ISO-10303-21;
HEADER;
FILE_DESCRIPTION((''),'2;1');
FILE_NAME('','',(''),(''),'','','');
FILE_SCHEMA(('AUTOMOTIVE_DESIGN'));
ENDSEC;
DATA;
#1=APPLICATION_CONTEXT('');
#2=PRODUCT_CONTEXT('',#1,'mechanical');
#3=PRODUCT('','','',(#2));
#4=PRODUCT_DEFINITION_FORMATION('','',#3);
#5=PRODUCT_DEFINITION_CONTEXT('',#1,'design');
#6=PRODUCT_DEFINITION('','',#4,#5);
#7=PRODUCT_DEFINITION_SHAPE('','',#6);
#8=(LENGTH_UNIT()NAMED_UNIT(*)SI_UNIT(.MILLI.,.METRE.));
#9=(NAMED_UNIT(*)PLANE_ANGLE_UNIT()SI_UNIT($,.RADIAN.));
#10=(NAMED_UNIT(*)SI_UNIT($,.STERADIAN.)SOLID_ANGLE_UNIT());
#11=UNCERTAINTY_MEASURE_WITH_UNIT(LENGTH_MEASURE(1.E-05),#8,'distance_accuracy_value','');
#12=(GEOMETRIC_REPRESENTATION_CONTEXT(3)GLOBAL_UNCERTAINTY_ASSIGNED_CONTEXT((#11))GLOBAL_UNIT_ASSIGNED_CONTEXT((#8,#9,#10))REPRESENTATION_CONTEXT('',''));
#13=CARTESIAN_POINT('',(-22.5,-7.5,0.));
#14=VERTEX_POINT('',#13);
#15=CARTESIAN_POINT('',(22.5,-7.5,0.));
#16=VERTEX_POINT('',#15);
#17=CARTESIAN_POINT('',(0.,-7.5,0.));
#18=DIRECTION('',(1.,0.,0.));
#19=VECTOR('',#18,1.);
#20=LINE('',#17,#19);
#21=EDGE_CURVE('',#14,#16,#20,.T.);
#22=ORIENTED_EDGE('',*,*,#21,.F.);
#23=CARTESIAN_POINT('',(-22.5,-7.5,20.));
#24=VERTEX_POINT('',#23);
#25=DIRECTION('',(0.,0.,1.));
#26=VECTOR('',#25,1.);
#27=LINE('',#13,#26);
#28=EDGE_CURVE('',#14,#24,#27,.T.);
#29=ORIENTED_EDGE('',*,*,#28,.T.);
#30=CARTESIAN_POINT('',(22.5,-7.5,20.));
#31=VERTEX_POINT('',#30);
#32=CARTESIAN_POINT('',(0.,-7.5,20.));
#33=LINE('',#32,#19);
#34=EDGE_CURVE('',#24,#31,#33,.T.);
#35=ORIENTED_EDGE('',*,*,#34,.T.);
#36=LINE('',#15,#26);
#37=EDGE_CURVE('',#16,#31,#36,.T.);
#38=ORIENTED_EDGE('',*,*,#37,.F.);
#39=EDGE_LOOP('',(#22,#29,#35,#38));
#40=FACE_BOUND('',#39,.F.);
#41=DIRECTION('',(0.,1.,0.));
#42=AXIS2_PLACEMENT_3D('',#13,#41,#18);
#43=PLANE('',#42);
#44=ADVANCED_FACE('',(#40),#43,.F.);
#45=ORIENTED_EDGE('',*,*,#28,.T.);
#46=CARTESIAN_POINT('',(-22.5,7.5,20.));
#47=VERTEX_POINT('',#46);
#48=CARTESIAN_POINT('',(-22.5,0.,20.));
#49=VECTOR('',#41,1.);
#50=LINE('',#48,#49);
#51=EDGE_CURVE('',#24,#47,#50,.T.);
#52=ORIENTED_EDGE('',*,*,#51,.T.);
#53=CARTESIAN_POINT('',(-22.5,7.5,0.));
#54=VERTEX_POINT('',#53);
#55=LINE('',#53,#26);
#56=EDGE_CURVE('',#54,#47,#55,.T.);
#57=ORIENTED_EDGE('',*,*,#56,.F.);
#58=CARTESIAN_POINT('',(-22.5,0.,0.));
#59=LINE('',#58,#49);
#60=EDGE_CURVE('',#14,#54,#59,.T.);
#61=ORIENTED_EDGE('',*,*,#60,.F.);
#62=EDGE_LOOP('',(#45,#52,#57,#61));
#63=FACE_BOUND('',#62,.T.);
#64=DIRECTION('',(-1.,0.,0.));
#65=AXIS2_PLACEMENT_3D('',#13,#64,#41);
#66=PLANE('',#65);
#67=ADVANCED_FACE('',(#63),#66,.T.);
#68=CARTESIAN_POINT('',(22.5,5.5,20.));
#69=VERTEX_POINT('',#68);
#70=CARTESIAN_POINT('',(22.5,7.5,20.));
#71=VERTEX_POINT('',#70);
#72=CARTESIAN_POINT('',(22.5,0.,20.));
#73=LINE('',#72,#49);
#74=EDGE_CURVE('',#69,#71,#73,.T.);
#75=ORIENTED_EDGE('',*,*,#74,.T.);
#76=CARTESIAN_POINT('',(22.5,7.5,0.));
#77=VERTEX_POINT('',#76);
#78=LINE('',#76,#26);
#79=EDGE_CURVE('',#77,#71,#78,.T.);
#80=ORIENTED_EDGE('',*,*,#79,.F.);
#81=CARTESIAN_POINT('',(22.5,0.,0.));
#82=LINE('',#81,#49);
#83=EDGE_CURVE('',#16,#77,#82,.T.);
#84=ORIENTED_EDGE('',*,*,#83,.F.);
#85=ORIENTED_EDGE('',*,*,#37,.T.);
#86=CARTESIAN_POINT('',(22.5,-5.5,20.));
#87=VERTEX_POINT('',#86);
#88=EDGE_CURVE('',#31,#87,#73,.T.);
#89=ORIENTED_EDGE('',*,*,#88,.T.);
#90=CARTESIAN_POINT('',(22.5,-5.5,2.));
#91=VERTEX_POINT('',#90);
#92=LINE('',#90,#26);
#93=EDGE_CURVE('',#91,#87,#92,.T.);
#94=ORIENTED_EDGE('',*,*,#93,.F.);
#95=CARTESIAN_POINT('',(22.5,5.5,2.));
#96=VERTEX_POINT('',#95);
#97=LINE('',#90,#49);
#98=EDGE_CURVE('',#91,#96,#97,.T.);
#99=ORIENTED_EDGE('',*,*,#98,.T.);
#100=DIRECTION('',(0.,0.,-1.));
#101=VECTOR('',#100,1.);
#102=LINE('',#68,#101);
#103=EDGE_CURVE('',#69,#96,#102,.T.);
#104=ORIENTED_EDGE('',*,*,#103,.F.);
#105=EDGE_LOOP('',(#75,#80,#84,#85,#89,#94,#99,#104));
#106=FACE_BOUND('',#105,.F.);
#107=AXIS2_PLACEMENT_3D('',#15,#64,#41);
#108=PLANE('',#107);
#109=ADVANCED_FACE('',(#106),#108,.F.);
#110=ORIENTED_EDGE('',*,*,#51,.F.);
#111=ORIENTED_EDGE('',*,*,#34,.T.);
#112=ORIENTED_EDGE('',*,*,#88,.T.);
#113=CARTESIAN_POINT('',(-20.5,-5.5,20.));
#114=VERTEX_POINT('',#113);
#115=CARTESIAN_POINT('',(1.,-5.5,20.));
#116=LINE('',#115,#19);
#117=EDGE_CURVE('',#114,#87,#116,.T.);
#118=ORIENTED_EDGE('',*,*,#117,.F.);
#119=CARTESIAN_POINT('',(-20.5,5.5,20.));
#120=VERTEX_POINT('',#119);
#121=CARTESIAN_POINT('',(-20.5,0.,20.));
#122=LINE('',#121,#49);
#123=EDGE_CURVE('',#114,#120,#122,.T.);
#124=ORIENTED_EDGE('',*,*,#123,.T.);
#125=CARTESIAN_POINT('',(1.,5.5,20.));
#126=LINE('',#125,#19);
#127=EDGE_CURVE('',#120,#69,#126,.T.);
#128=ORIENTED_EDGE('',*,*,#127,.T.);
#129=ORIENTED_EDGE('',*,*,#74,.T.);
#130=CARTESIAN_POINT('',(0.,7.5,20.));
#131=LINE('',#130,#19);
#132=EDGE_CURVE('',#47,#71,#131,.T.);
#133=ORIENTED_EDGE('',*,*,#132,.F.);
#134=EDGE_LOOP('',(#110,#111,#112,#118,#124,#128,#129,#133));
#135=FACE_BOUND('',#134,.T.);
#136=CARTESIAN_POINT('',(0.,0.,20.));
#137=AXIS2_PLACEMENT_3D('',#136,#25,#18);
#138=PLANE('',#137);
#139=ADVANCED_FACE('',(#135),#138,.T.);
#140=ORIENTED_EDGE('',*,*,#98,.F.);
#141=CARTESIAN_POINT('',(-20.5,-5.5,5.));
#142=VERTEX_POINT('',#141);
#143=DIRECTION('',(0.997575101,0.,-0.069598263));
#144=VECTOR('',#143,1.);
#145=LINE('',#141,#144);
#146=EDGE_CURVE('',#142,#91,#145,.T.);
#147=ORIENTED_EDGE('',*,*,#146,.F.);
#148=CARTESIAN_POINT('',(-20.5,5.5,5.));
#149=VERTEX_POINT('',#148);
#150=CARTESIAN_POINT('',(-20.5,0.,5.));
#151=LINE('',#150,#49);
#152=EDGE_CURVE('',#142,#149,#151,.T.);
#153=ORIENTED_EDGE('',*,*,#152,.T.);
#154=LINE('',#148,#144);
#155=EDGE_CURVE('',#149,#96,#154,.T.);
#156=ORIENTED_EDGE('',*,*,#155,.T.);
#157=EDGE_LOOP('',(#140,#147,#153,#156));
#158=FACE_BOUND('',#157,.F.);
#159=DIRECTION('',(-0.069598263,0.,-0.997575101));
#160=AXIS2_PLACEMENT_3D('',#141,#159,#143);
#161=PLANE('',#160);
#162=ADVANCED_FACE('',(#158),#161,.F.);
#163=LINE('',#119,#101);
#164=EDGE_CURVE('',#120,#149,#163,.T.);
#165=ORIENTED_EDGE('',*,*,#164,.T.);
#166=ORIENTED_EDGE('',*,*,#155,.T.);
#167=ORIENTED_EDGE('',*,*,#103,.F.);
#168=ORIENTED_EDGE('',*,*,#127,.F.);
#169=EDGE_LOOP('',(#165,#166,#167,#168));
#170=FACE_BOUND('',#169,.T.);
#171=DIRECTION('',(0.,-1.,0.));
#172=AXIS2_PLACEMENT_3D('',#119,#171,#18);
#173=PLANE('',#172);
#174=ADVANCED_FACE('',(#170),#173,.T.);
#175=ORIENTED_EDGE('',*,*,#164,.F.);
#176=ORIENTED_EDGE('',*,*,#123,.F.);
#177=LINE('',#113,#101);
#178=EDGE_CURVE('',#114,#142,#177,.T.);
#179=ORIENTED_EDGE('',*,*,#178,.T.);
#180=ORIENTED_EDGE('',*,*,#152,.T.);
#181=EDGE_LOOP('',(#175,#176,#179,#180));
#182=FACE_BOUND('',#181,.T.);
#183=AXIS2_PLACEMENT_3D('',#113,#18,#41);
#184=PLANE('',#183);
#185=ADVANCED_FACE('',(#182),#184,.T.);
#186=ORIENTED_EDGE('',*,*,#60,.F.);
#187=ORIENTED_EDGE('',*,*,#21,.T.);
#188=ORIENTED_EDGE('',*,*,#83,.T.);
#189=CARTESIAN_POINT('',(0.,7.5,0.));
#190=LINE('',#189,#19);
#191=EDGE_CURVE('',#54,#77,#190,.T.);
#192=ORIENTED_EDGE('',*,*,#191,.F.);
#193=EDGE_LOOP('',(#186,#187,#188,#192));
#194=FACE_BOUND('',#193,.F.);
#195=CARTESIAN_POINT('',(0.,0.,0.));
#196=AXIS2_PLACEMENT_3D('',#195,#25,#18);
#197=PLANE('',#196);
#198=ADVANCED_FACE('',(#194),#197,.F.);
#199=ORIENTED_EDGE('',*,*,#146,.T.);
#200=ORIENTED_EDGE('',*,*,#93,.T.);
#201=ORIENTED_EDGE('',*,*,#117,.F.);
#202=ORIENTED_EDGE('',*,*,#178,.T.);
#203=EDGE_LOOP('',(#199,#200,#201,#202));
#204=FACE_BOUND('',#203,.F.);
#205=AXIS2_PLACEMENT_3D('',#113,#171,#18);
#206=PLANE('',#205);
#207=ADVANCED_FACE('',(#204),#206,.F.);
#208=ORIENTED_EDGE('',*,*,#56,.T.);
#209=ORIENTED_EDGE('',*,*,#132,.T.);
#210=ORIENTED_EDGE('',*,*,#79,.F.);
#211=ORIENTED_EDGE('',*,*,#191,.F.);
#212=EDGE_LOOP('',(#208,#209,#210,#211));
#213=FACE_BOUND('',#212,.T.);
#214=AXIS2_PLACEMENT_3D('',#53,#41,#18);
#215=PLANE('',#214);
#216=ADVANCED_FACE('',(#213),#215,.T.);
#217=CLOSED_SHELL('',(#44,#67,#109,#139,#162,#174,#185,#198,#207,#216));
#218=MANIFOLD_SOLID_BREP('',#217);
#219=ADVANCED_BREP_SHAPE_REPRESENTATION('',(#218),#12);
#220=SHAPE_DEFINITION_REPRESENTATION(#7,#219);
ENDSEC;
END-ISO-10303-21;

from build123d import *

# Parameters (mm, degrees)
F0_W     = 45
F0_H     = 15
F1_DEPTH = 20
F2_W     = 43
F2_H     = 11
F3_DEPTH = 15
F5_START = -2
F5_DEPTH = 11


with BuildPart() as f1:
    # F0 (on Top) → F1 (new body)
    with BuildSketch(Plane.XY):
        Rectangle(F0_W, F0_H)
    extrude(amount=F1_DEPTH)

    # F2 (on face) → F3 (cut)
    with BuildSketch(Plane.XY.offset(20)):
        with Locations((1, 0)):
            Rectangle(F2_W, F2_H)
    extrude(amount=-F3_DEPTH, mode=Mode.SUBTRACT)

    # F4 (on face) → F5 (cut)
    with BuildSketch(Plane.XZ.offset(7.5).offset(F5_START)):
        Polygon((22.5, 5), (-20.5, 5), (22.5, 2), align=None)
    extrude(amount=-F5_DEPTH, mode=Mode.SUBTRACT)


solid = f1.part
